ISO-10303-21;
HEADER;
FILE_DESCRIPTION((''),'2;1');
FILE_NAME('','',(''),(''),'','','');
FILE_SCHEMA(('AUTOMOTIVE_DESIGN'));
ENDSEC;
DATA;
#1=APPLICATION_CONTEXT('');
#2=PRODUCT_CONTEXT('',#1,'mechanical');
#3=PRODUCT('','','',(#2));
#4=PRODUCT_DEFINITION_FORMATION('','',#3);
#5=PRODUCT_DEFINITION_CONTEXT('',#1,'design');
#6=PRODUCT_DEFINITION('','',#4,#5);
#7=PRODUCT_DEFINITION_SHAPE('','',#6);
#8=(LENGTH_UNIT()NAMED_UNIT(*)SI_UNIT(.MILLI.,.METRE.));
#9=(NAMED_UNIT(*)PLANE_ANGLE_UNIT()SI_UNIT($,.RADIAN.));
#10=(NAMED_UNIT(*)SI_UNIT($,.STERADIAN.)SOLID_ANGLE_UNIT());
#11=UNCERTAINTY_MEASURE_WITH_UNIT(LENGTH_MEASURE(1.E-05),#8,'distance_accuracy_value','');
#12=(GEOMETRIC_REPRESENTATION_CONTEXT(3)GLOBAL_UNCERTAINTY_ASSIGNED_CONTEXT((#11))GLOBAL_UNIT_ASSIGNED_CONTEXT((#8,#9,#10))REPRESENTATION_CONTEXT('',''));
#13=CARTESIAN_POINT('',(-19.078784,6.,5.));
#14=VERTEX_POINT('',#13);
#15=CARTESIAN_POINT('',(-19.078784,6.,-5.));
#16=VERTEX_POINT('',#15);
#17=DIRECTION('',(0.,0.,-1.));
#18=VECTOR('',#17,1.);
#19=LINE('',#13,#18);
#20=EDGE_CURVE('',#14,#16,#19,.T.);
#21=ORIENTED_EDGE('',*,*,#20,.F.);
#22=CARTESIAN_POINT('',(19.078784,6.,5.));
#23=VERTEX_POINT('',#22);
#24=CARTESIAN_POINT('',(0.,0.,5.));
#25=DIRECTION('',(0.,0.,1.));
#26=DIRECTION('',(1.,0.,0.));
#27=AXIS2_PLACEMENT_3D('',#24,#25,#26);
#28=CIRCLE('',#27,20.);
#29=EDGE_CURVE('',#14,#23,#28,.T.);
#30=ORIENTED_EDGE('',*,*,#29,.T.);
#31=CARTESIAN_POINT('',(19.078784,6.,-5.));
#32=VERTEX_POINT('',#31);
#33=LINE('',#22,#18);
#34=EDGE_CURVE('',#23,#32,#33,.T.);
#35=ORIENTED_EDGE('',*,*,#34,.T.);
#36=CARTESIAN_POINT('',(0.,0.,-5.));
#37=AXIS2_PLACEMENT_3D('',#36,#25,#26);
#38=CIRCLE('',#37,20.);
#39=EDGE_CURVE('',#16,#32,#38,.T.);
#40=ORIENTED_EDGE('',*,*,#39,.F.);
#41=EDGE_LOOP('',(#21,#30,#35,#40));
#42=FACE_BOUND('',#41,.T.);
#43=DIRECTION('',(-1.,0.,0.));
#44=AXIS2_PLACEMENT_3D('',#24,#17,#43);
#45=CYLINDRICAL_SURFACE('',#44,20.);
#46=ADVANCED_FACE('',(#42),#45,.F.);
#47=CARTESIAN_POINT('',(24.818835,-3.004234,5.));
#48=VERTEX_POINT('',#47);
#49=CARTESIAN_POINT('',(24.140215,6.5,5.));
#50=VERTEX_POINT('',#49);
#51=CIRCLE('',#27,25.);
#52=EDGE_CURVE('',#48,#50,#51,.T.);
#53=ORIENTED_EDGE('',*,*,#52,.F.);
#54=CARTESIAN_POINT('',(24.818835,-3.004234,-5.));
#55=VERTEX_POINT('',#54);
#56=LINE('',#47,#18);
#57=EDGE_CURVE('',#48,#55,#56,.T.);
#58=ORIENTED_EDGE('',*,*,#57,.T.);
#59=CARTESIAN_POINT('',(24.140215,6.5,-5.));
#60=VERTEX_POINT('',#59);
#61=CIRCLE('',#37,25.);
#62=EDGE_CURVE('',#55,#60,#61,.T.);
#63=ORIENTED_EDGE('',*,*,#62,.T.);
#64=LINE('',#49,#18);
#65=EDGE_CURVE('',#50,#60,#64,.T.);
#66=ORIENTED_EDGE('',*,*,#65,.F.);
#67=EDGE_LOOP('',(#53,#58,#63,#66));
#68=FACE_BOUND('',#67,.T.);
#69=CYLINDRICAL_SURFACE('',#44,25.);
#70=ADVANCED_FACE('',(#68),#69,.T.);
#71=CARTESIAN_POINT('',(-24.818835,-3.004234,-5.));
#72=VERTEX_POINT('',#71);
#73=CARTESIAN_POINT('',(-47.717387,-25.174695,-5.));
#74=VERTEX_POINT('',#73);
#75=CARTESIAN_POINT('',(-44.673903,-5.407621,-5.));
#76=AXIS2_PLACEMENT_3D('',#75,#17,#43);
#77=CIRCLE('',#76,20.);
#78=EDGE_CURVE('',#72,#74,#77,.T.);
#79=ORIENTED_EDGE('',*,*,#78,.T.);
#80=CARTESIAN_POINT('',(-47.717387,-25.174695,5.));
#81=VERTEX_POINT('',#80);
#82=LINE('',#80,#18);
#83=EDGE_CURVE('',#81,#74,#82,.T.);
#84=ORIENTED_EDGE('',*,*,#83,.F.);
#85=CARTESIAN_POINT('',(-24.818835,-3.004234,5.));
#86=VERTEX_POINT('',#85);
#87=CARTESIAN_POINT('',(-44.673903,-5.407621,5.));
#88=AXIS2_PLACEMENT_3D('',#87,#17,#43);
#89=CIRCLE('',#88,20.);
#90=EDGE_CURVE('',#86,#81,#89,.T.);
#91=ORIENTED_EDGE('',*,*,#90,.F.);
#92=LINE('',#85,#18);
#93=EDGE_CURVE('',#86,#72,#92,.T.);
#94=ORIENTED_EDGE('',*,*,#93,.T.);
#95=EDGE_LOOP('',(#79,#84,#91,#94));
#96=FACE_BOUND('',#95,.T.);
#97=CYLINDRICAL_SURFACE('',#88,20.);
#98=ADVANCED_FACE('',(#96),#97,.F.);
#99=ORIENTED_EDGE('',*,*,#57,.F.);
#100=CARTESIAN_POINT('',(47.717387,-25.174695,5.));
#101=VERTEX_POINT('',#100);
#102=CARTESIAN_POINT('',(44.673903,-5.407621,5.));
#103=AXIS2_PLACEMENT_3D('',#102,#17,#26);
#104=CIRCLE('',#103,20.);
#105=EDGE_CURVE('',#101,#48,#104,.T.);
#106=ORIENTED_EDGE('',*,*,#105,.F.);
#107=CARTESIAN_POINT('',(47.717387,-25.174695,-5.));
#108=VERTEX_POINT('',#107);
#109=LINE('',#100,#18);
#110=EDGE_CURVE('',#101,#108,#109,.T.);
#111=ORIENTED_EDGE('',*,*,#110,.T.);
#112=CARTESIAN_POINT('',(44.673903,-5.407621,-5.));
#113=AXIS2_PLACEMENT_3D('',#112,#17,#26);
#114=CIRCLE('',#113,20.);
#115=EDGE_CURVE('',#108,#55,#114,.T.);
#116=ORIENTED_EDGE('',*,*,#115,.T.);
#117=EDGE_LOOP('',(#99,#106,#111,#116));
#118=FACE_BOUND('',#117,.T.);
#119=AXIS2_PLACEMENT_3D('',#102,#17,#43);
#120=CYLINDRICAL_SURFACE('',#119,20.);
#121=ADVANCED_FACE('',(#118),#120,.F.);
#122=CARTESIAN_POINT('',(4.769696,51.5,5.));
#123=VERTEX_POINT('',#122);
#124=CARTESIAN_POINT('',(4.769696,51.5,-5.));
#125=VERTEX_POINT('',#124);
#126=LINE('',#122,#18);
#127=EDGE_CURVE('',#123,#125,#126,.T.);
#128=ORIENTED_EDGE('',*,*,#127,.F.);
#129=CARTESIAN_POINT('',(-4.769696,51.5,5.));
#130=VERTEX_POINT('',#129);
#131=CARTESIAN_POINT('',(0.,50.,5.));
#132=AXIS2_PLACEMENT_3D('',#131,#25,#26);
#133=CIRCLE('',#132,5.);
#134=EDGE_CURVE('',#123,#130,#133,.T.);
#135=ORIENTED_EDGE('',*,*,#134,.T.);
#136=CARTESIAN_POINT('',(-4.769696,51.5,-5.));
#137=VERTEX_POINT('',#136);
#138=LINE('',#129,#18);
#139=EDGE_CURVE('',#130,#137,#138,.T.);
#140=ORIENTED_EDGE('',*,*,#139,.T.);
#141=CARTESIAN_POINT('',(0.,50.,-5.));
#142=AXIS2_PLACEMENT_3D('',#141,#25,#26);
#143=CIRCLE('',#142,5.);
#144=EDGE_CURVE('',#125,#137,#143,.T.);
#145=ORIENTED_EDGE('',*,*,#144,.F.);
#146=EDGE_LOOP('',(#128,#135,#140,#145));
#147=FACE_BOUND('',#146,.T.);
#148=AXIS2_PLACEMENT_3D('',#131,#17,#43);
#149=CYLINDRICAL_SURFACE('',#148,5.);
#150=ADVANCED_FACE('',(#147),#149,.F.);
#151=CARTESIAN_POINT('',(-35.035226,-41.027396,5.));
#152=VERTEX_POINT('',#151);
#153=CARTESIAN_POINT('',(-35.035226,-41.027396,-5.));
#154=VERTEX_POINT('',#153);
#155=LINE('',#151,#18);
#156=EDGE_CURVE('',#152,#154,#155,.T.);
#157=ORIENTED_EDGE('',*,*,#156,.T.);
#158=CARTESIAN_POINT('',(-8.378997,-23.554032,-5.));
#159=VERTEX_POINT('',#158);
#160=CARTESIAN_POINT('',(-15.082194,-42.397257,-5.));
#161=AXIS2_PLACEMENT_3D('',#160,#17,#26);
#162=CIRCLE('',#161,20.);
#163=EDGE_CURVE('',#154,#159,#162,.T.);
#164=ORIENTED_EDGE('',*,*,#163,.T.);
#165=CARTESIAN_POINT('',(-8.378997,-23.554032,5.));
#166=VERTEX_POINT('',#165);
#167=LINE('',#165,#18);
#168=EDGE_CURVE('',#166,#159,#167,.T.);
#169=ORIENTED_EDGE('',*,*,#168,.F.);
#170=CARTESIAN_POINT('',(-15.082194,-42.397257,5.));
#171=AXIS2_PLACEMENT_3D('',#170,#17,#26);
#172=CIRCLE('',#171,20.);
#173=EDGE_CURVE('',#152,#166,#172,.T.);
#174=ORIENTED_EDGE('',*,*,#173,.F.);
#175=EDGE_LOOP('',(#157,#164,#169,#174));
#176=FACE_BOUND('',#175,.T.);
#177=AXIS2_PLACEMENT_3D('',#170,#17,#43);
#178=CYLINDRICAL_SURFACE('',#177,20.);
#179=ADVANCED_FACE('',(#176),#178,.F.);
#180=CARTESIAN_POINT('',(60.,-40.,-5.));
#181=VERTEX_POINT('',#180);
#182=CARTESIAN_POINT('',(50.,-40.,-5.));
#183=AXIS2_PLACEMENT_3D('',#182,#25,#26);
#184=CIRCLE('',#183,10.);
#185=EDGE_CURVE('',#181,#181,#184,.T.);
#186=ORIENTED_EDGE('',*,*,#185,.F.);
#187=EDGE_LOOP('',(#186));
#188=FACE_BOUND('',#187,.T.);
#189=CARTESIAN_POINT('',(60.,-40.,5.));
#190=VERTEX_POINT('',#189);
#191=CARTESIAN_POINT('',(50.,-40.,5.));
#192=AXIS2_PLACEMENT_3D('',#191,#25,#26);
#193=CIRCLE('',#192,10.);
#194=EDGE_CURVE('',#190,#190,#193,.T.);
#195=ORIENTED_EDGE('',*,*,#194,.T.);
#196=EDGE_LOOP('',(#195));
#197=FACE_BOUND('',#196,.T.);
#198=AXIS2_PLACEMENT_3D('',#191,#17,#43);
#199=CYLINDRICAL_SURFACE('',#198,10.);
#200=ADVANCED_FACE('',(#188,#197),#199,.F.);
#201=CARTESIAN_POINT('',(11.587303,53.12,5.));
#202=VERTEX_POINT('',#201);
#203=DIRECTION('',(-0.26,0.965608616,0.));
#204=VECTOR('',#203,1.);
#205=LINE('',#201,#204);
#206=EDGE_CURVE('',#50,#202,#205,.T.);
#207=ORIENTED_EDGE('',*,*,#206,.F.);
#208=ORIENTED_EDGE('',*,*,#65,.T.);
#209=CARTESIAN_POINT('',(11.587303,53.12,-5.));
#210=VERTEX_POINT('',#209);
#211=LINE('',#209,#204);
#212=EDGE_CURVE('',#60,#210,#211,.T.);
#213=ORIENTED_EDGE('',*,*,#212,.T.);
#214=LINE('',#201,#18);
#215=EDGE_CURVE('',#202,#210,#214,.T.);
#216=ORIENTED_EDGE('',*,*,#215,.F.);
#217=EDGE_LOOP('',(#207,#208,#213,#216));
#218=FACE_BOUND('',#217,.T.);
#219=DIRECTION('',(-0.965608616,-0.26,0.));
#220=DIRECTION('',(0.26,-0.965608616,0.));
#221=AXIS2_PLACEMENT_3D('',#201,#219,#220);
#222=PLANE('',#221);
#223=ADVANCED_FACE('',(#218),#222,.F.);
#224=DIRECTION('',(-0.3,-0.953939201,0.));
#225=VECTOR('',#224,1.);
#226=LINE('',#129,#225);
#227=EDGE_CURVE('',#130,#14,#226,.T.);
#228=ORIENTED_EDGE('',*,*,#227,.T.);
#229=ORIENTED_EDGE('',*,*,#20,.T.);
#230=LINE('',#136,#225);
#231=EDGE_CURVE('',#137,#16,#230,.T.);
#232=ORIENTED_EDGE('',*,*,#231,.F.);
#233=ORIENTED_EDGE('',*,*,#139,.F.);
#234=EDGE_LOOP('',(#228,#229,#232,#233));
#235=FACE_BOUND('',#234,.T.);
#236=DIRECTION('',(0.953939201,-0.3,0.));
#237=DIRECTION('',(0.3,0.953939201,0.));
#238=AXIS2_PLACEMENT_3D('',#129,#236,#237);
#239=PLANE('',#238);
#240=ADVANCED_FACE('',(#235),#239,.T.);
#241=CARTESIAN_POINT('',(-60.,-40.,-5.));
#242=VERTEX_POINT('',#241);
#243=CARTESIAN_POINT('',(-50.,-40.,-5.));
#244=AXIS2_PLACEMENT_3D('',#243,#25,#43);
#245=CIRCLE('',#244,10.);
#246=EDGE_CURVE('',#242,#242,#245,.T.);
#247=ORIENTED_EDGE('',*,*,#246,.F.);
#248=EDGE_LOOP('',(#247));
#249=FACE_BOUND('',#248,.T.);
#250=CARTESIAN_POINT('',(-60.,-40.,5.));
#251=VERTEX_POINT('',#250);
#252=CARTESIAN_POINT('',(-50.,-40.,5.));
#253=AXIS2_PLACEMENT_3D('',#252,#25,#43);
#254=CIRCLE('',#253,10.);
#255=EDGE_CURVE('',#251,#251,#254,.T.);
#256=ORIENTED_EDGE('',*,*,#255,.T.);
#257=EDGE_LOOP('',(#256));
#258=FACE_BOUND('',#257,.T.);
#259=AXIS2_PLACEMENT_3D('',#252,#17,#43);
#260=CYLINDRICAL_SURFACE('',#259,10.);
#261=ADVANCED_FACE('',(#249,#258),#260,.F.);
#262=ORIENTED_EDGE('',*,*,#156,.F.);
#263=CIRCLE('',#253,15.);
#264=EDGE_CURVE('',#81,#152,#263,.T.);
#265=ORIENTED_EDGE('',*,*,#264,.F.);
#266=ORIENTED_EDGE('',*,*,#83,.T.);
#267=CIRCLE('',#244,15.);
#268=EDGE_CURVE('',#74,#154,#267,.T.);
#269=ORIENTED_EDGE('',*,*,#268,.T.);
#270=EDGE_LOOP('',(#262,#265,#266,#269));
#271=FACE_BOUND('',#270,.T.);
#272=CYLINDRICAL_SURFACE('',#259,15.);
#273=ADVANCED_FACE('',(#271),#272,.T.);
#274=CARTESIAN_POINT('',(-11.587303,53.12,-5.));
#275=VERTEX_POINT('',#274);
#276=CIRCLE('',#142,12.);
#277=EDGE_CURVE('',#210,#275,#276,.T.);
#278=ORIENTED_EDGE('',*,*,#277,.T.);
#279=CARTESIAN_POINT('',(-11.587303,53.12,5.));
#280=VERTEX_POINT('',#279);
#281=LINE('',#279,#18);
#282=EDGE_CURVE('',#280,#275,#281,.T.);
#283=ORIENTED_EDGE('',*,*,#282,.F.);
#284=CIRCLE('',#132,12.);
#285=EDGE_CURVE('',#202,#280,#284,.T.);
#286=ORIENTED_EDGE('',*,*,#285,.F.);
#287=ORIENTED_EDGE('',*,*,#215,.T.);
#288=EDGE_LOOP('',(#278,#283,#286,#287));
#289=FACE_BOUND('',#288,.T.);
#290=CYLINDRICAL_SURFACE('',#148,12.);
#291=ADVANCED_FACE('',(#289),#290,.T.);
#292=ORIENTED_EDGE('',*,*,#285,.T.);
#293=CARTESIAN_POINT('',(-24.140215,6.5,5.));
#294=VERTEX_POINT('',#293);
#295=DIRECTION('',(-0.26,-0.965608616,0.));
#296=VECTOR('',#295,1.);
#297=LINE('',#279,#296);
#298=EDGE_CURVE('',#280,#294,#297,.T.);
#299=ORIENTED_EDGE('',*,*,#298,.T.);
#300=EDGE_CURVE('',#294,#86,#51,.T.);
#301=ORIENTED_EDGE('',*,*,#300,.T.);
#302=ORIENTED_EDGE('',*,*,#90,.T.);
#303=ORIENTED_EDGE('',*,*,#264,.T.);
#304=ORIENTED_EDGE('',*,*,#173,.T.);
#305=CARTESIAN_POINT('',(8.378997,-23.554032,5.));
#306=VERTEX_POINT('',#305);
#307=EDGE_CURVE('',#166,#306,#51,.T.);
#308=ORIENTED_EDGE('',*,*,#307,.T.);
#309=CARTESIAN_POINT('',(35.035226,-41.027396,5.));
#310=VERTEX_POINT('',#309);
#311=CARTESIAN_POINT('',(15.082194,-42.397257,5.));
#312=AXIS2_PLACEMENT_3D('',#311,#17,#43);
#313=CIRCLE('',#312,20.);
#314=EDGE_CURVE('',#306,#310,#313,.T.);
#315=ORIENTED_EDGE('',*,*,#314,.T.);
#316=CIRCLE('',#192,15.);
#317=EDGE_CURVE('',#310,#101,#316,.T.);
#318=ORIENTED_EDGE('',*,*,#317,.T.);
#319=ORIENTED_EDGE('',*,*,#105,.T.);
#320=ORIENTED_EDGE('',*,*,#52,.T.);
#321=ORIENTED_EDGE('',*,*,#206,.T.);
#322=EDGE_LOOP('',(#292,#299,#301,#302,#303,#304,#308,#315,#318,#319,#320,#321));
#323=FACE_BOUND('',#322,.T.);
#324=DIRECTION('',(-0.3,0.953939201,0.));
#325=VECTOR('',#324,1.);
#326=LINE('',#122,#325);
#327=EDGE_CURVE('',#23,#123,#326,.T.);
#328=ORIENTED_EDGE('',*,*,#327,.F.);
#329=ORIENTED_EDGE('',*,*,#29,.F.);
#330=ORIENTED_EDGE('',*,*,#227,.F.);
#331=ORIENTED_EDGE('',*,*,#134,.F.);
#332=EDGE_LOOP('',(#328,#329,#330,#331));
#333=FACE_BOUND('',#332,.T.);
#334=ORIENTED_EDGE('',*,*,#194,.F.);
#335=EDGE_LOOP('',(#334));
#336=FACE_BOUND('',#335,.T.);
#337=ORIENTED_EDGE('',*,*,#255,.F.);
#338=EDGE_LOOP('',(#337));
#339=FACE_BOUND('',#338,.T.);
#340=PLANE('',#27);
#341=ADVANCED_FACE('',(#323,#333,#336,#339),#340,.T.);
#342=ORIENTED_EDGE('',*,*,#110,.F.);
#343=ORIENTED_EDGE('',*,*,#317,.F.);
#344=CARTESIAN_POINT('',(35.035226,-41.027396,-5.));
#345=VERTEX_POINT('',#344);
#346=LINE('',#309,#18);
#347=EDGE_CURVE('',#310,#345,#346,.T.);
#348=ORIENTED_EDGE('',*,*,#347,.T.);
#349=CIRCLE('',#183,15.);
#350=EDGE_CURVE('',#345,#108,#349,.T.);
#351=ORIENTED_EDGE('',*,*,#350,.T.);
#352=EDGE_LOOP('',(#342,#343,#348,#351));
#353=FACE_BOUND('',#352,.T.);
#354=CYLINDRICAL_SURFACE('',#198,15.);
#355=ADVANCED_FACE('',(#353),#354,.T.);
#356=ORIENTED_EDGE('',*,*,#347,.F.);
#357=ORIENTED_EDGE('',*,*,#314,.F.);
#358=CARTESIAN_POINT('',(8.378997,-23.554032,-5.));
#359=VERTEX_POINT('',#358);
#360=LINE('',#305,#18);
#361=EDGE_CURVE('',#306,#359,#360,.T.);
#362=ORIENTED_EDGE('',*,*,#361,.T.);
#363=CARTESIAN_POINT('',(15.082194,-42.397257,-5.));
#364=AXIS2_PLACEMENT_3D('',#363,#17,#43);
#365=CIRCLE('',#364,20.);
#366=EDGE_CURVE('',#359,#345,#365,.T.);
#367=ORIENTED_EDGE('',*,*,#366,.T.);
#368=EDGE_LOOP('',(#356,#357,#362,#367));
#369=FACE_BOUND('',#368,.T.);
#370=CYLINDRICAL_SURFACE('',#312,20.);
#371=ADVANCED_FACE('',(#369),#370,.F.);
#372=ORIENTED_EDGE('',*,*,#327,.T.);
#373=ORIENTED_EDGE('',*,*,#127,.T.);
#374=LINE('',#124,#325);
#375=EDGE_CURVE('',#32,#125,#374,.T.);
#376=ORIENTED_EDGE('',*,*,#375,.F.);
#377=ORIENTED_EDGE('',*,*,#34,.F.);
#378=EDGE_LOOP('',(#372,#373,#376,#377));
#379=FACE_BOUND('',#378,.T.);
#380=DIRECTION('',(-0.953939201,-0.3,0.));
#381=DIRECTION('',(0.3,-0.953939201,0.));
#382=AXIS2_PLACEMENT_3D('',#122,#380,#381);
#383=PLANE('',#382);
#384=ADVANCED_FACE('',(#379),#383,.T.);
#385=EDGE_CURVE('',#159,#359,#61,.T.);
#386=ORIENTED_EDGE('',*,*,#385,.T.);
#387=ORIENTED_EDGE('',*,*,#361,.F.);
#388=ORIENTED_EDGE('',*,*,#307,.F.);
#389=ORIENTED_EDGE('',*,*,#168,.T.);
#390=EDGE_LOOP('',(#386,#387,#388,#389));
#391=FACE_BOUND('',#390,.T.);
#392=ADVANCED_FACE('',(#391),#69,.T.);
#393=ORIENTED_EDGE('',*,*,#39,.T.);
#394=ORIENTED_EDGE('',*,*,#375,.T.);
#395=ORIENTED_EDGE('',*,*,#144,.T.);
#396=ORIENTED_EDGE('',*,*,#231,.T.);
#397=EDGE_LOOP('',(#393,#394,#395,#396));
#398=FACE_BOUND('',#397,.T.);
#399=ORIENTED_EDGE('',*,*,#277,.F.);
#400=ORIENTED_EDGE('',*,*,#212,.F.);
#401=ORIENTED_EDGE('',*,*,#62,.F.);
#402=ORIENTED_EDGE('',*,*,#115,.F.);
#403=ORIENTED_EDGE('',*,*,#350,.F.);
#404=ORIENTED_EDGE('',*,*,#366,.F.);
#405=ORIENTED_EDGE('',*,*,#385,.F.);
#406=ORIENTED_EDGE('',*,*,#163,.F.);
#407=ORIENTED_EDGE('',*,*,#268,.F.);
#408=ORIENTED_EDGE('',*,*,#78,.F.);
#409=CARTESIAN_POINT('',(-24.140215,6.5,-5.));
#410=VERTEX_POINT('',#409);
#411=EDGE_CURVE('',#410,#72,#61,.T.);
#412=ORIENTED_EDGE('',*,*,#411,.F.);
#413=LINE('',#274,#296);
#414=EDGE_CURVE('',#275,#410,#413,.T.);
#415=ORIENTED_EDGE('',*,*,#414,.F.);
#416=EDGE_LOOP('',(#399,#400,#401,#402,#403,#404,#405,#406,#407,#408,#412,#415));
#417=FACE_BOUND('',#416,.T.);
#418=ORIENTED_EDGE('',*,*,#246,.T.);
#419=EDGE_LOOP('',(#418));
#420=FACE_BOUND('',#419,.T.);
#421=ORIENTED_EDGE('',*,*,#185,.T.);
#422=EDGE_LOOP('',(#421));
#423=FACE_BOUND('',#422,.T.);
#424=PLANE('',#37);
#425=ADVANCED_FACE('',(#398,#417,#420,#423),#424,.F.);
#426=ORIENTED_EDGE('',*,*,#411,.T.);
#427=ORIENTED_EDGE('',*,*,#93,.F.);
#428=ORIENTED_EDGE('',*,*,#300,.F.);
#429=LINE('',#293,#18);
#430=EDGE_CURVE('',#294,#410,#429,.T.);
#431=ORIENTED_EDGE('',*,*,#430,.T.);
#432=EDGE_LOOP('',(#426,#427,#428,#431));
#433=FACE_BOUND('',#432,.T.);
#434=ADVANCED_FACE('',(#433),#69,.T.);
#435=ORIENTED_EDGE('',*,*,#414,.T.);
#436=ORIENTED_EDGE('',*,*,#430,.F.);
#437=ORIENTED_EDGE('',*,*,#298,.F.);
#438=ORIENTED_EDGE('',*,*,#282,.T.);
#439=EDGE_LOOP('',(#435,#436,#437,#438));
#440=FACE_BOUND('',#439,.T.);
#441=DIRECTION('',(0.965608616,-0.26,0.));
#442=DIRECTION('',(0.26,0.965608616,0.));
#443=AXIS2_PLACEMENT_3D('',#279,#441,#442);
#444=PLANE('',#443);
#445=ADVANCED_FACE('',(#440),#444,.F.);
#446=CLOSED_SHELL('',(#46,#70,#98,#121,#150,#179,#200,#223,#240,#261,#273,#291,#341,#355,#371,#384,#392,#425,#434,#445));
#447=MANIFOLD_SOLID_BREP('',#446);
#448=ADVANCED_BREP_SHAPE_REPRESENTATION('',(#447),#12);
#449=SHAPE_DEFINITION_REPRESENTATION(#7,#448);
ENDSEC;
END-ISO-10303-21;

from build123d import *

# Parameters (mm, degrees)
SKETCH1_R           = 10
BOSS_EXTRUDE1_DEPTH = 5


with BuildPart() as part:
    # Sketch1 → Boss-Extrude1 (new, symmetric)
    with BuildSketch(Plane.XY):
        with BuildLine():
            Line((-11.587303396, 53.12), (-24.140215409, 6.5))
            ThreePointArc((-24.140215409, 6.5), (-24.936514863, 1.780512988), (-24.81883517, -3.004233816))
            ThreePointArc((-24.81883517, -3.004233816), (-30.762049538, -19.776348187), (-47.717387131, -25.174694658))
            ThreePointArc((-47.717387131, -25.174694658), (-61.713032142, -49.370425713), (-35.03522611, -41.027395935))
            ThreePointArc((-35.03522611, -41.027395935), (-26.046643252, -25.670606045), (-8.378996809, -23.554031767))
            ThreePointArc((-8.378996809, -23.554031767), (0, -25), (8.378996809, -23.554031767))
            ThreePointArc((8.378996809, -23.554031767), (26.046643252, -25.670606045), (35.03522611, -41.027395935))
            ThreePointArc((35.03522611, -41.027395935), (61.713032142, -49.370425713), (47.717387131, -25.174694658))
            ThreePointArc((47.717387131, -25.174694658), (30.762049538, -19.776348187), (24.81883517, -3.004233816))
            ThreePointArc((24.81883517, -3.004233816), (24.936514863, 1.780512988), (24.140215409, 6.5))
            Line((24.140215409, 6.5), (11.587303396, 53.12))
            ThreePointArc((11.587303396, 53.12), (0, 62), (-11.587303396, 53.12))
        make_face()
        with Locations((50, -40)):
            Circle(SKETCH1_R, mode=Mode.SUBTRACT)
        with Locations(Location((-50, -40, 0), (0, 0, 180))):
            Circle(SKETCH1_R, mode=Mode.SUBTRACT)
        with BuildLine():
            Line((-4.769696007, 51.5), (-19.078784028, 6))
            ThreePointArc((-19.078784028, 6), (0, -20), (19.078784028, 6))
            Line((19.078784028, 6), (4.769696007, 51.5))
            ThreePointArc((4.769696007, 51.5), (0, 55), (-4.769696007, 51.5))
        make_face(mode=Mode.SUBTRACT)
    extrude(amount=BOSS_EXTRUDE1_DEPTH, both=True)


solid = part.part
